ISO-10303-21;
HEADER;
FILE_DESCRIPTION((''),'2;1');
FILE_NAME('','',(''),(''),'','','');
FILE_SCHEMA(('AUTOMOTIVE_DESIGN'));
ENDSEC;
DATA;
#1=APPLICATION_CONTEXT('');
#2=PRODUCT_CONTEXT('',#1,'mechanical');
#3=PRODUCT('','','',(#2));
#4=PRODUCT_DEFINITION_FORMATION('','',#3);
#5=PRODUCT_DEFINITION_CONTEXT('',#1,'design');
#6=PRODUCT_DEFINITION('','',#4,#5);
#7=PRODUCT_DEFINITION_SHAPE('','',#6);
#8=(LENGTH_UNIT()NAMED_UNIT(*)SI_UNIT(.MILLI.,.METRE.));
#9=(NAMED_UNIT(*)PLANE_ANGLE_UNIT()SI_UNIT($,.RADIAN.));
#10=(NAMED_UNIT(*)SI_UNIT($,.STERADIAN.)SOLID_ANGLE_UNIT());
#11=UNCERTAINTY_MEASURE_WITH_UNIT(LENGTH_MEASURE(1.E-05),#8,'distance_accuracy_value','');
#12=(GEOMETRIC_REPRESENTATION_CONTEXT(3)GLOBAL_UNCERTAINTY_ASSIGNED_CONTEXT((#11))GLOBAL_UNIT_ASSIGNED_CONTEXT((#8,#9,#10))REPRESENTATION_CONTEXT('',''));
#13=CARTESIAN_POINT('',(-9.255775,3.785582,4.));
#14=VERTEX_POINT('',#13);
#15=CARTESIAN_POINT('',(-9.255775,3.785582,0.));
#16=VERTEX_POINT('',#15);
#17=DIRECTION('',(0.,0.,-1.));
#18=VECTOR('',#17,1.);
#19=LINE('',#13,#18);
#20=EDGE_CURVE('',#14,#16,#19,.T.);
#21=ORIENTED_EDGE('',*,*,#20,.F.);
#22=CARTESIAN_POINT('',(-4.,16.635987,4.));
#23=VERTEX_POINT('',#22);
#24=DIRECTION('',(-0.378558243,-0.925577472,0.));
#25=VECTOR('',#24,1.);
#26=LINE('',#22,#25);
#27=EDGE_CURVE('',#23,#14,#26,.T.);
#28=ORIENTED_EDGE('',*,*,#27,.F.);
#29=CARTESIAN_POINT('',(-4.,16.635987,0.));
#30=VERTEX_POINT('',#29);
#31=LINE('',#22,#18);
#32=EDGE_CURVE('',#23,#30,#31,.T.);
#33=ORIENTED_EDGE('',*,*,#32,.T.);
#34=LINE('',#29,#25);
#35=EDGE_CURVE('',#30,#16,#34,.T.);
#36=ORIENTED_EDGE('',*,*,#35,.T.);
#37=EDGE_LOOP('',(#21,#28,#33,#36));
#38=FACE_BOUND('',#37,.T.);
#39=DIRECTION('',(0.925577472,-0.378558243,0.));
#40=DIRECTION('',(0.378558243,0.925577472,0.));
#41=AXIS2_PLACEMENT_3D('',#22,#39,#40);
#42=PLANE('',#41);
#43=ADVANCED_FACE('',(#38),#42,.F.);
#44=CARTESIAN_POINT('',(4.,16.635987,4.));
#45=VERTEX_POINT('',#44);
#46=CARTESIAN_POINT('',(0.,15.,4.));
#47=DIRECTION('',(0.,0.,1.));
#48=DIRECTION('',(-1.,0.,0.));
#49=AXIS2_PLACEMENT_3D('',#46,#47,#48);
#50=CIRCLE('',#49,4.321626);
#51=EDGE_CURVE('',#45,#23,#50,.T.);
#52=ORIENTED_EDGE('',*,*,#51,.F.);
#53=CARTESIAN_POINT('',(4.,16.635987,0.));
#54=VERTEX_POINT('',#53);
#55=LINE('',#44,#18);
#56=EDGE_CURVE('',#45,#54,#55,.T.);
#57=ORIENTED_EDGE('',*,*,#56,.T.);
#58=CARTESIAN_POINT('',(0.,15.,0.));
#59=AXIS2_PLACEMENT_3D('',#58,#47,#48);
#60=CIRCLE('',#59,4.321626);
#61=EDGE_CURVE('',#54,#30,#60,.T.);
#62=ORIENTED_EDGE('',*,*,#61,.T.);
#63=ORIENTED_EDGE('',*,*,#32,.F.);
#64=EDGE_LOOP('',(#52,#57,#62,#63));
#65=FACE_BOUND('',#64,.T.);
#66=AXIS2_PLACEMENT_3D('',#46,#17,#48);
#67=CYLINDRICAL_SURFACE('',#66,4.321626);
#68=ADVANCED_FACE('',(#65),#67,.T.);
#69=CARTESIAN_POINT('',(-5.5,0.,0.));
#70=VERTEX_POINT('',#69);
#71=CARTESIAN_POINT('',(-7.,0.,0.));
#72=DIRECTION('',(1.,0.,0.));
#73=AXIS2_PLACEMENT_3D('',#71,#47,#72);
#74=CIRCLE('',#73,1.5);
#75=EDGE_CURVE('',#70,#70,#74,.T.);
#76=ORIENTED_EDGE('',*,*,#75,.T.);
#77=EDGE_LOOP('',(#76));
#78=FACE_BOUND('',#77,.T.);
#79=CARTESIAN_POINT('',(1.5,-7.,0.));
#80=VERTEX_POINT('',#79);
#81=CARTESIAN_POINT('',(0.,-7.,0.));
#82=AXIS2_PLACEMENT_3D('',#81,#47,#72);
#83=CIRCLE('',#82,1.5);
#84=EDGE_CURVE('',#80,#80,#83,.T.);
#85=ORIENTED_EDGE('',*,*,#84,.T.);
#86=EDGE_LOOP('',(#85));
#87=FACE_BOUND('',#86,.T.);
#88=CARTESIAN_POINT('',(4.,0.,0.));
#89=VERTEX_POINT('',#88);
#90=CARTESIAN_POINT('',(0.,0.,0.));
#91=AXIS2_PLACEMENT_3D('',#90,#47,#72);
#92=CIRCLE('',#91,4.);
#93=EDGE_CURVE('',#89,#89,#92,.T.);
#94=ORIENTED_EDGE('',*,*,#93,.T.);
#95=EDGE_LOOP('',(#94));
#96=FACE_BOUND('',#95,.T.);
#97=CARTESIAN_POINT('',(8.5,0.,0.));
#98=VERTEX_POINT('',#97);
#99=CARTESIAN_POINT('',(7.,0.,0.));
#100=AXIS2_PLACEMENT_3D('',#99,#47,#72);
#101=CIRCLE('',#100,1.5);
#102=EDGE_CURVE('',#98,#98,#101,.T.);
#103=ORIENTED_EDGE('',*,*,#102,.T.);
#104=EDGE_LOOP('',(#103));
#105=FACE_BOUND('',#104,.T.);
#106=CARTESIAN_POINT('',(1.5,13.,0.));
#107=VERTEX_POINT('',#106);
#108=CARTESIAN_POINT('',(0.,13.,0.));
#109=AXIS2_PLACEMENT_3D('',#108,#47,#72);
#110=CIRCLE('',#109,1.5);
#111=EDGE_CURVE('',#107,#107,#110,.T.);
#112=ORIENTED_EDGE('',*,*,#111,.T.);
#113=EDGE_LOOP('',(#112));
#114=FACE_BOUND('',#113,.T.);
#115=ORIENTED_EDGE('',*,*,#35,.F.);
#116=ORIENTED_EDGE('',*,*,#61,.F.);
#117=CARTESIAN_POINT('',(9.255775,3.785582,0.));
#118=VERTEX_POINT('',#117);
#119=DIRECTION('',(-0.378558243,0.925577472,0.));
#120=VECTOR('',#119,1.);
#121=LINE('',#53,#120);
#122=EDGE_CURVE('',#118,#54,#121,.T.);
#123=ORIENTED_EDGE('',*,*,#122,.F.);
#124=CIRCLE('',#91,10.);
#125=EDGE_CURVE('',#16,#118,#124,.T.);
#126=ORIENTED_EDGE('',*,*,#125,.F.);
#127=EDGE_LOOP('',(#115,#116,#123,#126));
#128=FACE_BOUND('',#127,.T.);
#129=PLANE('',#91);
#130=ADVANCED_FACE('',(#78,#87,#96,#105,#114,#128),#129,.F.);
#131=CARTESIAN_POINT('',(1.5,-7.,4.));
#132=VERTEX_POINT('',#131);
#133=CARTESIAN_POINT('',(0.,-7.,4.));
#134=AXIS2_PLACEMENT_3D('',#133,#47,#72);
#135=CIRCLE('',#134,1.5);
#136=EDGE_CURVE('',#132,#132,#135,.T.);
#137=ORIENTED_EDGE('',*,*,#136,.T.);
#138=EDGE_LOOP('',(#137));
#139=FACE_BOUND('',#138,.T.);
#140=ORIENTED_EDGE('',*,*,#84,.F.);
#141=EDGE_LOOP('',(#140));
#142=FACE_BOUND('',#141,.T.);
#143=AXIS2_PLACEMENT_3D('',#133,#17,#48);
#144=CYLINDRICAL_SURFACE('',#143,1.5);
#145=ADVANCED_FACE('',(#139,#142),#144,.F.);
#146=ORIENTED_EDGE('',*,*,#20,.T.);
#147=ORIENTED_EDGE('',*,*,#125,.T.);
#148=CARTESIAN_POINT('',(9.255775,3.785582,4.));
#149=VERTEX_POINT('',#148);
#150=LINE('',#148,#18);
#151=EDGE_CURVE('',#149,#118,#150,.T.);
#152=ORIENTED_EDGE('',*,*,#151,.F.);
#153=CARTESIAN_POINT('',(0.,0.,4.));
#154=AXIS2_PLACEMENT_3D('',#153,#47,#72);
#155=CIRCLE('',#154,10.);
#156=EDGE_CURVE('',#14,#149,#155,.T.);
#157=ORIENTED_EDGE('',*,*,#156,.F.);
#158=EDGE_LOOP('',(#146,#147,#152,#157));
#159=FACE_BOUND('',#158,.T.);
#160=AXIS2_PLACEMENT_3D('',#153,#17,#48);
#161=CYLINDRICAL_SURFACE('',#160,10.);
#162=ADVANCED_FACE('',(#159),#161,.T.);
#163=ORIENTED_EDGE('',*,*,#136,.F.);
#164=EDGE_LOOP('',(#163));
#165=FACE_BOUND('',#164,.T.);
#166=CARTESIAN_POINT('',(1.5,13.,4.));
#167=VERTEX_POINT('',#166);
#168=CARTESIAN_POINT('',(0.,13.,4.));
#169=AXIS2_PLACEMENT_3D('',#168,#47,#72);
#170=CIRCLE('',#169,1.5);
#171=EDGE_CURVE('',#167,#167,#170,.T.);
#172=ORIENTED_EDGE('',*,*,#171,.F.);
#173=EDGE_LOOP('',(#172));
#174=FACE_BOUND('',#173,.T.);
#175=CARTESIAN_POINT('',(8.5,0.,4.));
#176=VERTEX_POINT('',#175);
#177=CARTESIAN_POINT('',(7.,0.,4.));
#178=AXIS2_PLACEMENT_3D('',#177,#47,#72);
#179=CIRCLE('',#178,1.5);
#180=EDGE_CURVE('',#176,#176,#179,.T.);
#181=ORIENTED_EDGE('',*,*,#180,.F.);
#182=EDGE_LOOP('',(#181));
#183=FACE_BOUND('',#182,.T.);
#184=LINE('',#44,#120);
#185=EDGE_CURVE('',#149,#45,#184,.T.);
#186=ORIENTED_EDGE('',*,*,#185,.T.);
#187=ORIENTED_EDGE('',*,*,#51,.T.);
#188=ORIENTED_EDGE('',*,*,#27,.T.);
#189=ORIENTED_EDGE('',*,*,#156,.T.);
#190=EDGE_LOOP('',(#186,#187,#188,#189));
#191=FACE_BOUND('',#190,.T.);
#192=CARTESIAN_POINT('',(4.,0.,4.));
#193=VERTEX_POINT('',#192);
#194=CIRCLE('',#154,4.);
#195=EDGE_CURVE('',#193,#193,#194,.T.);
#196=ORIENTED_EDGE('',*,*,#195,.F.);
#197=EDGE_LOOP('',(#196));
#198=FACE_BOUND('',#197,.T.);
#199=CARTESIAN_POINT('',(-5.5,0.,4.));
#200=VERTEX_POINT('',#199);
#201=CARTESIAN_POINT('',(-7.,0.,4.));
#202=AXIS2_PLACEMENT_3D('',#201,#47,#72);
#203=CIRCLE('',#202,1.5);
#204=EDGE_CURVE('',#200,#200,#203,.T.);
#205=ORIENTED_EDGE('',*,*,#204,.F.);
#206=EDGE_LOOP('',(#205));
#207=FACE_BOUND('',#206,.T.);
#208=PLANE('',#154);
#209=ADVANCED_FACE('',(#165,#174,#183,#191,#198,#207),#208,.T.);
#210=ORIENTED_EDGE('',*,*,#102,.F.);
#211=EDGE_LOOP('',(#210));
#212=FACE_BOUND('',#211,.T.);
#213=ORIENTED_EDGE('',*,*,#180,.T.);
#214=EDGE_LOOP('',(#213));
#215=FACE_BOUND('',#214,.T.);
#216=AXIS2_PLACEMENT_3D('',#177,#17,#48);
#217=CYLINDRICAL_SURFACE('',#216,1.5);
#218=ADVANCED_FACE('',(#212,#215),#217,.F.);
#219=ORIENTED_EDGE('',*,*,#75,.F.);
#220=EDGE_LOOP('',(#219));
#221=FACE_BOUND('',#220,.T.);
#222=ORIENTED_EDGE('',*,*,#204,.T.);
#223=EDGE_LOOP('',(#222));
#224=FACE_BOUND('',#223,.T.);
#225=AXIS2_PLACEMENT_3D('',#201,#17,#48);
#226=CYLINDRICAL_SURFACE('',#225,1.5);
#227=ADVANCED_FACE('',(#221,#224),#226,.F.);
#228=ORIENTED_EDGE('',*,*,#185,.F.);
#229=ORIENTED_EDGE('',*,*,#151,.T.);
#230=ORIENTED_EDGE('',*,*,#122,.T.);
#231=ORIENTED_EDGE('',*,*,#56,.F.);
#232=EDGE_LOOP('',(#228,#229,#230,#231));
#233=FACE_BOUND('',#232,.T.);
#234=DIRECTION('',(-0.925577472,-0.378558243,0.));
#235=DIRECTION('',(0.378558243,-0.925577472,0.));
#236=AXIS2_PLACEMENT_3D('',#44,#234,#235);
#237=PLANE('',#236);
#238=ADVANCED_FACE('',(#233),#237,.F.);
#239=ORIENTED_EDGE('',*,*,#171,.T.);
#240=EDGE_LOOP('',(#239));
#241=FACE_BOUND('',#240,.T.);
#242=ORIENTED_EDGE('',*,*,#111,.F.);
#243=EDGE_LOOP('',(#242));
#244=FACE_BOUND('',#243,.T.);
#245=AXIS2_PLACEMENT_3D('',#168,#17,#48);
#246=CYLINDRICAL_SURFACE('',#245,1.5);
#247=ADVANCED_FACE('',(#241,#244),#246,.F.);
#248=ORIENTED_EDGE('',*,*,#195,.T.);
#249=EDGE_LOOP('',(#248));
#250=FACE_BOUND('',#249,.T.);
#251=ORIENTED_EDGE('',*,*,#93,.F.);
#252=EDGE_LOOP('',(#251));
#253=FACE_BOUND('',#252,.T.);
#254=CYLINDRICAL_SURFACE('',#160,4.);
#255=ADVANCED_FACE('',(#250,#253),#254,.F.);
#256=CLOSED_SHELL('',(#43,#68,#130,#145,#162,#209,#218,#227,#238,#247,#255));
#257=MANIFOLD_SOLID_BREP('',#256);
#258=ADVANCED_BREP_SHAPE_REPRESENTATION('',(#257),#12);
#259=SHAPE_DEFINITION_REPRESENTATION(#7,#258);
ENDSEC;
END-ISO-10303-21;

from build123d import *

# Parameters (mm, degrees)
SKETCH_1_R      = 1.5
SKETCH_1_R_2    = 4
EXTRUDE_1_DEPTH = 4


with BuildPart() as part:
    # 草图1 → 凸台-拉伸1 (new body)
    with BuildSketch(Plane.XY):
        with BuildLine():
            Line((-4, 16.63598728), (-9.255774721, 3.785582428))
            ThreePointArc((-9.255774721, 3.785582428), (0, -10), (9.255774721, 3.785582428))
            Line((9.255774721, 3.785582428), (4, 16.63598728))
            ThreePointArc((4, 16.63598728), (0, 19.321626358), (-4, 16.63598728))
        make_face()
        with Locations((-7, 0)):
            Circle(SKETCH_1_R, mode=Mode.SUBTRACT)
        with Locations((7, 0)):
            Circle(SKETCH_1_R, mode=Mode.SUBTRACT)
        with Locations((0, -7)):
            Circle(SKETCH_1_R, mode=Mode.SUBTRACT)
        with Locations((0, 13)):
            Circle(SKETCH_1_R, mode=Mode.SUBTRACT)
        Circle(SKETCH_1_R_2, mode=Mode.SUBTRACT)
    extrude(amount=EXTRUDE_1_DEPTH)


solid = part.part
